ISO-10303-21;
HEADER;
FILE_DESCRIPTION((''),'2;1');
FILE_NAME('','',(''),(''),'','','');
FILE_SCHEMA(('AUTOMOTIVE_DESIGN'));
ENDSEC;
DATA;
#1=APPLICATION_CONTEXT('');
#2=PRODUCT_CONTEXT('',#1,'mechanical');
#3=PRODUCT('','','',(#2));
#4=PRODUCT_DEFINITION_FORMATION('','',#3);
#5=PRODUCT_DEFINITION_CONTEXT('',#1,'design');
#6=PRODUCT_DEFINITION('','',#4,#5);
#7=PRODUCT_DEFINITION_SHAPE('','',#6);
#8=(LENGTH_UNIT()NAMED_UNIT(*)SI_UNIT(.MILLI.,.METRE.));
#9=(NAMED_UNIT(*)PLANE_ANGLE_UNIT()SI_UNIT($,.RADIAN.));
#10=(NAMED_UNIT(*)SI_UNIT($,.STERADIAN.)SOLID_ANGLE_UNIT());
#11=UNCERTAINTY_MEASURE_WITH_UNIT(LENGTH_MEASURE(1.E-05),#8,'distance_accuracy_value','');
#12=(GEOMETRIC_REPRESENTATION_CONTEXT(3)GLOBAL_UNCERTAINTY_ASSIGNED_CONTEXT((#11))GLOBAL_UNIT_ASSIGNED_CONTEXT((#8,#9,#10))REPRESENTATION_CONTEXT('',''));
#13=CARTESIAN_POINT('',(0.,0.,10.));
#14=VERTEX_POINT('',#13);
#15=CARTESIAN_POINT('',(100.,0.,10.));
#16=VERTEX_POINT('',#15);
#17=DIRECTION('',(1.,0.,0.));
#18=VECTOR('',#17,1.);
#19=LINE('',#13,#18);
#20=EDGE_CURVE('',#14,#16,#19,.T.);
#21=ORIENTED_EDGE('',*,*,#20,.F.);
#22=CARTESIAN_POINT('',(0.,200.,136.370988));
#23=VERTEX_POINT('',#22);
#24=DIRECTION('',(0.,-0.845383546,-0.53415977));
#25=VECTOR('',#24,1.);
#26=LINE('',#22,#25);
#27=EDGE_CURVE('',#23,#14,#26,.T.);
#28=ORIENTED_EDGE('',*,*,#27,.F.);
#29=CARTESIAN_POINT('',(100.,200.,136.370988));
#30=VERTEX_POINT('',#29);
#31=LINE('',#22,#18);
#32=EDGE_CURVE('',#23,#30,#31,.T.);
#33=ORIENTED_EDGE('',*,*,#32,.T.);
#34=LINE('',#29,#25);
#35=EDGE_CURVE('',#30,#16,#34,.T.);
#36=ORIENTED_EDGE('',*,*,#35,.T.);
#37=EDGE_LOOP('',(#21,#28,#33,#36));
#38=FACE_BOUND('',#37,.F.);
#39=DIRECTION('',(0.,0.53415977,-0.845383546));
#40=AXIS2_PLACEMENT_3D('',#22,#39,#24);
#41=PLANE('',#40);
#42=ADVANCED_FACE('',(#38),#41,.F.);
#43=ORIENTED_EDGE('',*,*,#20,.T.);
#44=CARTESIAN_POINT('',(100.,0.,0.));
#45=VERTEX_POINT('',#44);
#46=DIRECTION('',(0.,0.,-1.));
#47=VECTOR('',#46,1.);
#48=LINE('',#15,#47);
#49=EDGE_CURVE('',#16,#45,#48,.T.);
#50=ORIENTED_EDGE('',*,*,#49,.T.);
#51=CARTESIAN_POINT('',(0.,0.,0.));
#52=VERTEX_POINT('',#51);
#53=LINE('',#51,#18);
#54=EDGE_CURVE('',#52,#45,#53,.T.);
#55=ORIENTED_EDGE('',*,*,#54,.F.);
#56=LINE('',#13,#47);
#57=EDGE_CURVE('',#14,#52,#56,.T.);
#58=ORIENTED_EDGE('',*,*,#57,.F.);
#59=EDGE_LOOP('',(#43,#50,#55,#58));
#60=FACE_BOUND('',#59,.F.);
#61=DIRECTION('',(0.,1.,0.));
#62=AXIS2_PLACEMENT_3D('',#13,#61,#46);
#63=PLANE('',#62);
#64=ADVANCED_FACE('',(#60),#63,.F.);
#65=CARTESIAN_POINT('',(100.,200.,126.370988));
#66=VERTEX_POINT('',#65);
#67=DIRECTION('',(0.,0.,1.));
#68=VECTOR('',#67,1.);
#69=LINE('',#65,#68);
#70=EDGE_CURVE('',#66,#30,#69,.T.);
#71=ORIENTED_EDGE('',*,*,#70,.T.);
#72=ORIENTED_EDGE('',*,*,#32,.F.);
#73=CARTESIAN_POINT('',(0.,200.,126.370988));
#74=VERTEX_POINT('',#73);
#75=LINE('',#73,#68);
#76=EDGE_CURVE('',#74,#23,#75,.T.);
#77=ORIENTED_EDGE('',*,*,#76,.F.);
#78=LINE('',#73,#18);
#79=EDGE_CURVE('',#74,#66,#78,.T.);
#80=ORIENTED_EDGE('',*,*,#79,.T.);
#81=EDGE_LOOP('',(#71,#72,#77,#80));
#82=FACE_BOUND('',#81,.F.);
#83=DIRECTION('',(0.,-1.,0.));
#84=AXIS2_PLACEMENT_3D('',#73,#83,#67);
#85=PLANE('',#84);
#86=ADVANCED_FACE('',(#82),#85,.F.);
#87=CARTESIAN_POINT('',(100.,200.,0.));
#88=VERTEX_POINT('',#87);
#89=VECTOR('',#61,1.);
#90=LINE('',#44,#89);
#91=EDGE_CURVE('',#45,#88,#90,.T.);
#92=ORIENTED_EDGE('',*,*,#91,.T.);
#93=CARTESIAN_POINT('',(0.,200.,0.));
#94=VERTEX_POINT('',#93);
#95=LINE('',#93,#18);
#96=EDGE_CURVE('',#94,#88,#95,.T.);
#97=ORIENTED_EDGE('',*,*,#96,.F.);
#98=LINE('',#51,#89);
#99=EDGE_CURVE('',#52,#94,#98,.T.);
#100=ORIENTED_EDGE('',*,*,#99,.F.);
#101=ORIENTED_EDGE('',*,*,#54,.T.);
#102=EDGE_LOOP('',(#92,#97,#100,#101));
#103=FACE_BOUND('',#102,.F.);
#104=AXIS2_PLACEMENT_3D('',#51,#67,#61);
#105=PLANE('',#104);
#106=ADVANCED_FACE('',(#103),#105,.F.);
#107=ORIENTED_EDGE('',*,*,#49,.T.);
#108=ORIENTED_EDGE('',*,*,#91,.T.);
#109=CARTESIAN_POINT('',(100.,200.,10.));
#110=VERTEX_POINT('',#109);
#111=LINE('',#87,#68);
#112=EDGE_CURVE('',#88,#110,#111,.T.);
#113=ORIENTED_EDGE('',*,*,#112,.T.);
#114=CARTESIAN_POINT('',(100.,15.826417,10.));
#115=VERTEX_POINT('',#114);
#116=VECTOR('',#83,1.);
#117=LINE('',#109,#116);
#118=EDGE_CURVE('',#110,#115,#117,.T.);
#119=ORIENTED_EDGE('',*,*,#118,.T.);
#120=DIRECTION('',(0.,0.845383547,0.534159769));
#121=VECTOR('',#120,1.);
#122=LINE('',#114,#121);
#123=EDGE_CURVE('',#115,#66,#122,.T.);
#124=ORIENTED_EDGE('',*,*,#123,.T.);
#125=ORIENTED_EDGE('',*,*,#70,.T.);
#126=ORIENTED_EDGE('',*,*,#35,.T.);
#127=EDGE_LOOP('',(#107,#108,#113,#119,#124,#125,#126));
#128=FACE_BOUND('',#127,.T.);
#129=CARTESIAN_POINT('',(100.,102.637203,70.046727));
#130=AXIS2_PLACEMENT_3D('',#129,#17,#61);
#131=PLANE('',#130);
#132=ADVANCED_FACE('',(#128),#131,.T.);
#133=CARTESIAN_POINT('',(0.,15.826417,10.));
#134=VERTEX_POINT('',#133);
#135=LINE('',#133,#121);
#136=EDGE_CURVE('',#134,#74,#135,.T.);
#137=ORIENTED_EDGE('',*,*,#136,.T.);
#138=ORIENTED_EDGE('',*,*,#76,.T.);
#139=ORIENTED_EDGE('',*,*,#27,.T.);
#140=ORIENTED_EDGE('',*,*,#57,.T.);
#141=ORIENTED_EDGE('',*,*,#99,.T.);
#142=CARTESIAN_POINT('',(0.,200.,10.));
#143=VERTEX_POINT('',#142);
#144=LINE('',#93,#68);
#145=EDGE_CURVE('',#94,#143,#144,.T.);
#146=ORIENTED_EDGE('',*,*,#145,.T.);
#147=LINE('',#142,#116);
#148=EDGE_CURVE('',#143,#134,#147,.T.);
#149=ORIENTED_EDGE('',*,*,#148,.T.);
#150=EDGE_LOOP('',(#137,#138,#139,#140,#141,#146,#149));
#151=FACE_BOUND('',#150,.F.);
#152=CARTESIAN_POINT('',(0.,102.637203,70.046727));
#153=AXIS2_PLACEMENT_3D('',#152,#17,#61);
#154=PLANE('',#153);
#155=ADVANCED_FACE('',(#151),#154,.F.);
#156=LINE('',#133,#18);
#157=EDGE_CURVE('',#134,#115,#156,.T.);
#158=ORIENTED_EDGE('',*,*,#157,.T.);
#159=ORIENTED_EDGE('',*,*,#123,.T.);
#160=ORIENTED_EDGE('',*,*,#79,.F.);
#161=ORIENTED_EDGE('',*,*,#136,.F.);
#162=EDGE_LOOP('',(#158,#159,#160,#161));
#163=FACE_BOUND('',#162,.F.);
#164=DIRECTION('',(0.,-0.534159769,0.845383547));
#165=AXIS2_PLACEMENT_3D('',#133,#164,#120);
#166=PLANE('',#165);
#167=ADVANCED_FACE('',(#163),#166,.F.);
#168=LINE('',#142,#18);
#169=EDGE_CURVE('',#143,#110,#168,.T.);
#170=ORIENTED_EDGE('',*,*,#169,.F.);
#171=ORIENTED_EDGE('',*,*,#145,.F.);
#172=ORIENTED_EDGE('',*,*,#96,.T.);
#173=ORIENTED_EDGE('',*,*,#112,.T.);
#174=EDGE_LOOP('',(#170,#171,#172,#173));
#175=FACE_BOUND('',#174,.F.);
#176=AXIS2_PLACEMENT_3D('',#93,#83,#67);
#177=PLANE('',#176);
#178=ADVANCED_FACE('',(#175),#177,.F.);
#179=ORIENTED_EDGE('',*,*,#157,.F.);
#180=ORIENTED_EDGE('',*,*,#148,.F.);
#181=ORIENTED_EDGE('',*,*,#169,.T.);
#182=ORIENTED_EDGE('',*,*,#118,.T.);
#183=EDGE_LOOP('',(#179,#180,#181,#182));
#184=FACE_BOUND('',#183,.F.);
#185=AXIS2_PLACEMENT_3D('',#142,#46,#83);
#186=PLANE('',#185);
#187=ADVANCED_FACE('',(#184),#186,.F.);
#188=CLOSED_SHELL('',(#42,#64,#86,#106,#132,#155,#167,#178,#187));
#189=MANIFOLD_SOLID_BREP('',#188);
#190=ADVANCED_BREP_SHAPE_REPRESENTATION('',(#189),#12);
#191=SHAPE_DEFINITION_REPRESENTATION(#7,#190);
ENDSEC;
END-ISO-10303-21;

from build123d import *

# Parameters (mm, degrees)
F1_DEPTH = 100


with BuildPart() as f1:
    # F0 (on Right) → F1 (new body)
    with BuildSketch(Plane.YZ):
        Polygon((200, 136.370988), (0, 10), (15.826417, 10), (200, 126.370988), align=None)
        Polygon((0, 10), (0, 0), (15.826417, 10), align=None)
        Polygon((15.826417, 10), (0, 0), (200, 0), (200, 10), align=None)
    extrude(amount=F1_DEPTH)


solid = f1.part
